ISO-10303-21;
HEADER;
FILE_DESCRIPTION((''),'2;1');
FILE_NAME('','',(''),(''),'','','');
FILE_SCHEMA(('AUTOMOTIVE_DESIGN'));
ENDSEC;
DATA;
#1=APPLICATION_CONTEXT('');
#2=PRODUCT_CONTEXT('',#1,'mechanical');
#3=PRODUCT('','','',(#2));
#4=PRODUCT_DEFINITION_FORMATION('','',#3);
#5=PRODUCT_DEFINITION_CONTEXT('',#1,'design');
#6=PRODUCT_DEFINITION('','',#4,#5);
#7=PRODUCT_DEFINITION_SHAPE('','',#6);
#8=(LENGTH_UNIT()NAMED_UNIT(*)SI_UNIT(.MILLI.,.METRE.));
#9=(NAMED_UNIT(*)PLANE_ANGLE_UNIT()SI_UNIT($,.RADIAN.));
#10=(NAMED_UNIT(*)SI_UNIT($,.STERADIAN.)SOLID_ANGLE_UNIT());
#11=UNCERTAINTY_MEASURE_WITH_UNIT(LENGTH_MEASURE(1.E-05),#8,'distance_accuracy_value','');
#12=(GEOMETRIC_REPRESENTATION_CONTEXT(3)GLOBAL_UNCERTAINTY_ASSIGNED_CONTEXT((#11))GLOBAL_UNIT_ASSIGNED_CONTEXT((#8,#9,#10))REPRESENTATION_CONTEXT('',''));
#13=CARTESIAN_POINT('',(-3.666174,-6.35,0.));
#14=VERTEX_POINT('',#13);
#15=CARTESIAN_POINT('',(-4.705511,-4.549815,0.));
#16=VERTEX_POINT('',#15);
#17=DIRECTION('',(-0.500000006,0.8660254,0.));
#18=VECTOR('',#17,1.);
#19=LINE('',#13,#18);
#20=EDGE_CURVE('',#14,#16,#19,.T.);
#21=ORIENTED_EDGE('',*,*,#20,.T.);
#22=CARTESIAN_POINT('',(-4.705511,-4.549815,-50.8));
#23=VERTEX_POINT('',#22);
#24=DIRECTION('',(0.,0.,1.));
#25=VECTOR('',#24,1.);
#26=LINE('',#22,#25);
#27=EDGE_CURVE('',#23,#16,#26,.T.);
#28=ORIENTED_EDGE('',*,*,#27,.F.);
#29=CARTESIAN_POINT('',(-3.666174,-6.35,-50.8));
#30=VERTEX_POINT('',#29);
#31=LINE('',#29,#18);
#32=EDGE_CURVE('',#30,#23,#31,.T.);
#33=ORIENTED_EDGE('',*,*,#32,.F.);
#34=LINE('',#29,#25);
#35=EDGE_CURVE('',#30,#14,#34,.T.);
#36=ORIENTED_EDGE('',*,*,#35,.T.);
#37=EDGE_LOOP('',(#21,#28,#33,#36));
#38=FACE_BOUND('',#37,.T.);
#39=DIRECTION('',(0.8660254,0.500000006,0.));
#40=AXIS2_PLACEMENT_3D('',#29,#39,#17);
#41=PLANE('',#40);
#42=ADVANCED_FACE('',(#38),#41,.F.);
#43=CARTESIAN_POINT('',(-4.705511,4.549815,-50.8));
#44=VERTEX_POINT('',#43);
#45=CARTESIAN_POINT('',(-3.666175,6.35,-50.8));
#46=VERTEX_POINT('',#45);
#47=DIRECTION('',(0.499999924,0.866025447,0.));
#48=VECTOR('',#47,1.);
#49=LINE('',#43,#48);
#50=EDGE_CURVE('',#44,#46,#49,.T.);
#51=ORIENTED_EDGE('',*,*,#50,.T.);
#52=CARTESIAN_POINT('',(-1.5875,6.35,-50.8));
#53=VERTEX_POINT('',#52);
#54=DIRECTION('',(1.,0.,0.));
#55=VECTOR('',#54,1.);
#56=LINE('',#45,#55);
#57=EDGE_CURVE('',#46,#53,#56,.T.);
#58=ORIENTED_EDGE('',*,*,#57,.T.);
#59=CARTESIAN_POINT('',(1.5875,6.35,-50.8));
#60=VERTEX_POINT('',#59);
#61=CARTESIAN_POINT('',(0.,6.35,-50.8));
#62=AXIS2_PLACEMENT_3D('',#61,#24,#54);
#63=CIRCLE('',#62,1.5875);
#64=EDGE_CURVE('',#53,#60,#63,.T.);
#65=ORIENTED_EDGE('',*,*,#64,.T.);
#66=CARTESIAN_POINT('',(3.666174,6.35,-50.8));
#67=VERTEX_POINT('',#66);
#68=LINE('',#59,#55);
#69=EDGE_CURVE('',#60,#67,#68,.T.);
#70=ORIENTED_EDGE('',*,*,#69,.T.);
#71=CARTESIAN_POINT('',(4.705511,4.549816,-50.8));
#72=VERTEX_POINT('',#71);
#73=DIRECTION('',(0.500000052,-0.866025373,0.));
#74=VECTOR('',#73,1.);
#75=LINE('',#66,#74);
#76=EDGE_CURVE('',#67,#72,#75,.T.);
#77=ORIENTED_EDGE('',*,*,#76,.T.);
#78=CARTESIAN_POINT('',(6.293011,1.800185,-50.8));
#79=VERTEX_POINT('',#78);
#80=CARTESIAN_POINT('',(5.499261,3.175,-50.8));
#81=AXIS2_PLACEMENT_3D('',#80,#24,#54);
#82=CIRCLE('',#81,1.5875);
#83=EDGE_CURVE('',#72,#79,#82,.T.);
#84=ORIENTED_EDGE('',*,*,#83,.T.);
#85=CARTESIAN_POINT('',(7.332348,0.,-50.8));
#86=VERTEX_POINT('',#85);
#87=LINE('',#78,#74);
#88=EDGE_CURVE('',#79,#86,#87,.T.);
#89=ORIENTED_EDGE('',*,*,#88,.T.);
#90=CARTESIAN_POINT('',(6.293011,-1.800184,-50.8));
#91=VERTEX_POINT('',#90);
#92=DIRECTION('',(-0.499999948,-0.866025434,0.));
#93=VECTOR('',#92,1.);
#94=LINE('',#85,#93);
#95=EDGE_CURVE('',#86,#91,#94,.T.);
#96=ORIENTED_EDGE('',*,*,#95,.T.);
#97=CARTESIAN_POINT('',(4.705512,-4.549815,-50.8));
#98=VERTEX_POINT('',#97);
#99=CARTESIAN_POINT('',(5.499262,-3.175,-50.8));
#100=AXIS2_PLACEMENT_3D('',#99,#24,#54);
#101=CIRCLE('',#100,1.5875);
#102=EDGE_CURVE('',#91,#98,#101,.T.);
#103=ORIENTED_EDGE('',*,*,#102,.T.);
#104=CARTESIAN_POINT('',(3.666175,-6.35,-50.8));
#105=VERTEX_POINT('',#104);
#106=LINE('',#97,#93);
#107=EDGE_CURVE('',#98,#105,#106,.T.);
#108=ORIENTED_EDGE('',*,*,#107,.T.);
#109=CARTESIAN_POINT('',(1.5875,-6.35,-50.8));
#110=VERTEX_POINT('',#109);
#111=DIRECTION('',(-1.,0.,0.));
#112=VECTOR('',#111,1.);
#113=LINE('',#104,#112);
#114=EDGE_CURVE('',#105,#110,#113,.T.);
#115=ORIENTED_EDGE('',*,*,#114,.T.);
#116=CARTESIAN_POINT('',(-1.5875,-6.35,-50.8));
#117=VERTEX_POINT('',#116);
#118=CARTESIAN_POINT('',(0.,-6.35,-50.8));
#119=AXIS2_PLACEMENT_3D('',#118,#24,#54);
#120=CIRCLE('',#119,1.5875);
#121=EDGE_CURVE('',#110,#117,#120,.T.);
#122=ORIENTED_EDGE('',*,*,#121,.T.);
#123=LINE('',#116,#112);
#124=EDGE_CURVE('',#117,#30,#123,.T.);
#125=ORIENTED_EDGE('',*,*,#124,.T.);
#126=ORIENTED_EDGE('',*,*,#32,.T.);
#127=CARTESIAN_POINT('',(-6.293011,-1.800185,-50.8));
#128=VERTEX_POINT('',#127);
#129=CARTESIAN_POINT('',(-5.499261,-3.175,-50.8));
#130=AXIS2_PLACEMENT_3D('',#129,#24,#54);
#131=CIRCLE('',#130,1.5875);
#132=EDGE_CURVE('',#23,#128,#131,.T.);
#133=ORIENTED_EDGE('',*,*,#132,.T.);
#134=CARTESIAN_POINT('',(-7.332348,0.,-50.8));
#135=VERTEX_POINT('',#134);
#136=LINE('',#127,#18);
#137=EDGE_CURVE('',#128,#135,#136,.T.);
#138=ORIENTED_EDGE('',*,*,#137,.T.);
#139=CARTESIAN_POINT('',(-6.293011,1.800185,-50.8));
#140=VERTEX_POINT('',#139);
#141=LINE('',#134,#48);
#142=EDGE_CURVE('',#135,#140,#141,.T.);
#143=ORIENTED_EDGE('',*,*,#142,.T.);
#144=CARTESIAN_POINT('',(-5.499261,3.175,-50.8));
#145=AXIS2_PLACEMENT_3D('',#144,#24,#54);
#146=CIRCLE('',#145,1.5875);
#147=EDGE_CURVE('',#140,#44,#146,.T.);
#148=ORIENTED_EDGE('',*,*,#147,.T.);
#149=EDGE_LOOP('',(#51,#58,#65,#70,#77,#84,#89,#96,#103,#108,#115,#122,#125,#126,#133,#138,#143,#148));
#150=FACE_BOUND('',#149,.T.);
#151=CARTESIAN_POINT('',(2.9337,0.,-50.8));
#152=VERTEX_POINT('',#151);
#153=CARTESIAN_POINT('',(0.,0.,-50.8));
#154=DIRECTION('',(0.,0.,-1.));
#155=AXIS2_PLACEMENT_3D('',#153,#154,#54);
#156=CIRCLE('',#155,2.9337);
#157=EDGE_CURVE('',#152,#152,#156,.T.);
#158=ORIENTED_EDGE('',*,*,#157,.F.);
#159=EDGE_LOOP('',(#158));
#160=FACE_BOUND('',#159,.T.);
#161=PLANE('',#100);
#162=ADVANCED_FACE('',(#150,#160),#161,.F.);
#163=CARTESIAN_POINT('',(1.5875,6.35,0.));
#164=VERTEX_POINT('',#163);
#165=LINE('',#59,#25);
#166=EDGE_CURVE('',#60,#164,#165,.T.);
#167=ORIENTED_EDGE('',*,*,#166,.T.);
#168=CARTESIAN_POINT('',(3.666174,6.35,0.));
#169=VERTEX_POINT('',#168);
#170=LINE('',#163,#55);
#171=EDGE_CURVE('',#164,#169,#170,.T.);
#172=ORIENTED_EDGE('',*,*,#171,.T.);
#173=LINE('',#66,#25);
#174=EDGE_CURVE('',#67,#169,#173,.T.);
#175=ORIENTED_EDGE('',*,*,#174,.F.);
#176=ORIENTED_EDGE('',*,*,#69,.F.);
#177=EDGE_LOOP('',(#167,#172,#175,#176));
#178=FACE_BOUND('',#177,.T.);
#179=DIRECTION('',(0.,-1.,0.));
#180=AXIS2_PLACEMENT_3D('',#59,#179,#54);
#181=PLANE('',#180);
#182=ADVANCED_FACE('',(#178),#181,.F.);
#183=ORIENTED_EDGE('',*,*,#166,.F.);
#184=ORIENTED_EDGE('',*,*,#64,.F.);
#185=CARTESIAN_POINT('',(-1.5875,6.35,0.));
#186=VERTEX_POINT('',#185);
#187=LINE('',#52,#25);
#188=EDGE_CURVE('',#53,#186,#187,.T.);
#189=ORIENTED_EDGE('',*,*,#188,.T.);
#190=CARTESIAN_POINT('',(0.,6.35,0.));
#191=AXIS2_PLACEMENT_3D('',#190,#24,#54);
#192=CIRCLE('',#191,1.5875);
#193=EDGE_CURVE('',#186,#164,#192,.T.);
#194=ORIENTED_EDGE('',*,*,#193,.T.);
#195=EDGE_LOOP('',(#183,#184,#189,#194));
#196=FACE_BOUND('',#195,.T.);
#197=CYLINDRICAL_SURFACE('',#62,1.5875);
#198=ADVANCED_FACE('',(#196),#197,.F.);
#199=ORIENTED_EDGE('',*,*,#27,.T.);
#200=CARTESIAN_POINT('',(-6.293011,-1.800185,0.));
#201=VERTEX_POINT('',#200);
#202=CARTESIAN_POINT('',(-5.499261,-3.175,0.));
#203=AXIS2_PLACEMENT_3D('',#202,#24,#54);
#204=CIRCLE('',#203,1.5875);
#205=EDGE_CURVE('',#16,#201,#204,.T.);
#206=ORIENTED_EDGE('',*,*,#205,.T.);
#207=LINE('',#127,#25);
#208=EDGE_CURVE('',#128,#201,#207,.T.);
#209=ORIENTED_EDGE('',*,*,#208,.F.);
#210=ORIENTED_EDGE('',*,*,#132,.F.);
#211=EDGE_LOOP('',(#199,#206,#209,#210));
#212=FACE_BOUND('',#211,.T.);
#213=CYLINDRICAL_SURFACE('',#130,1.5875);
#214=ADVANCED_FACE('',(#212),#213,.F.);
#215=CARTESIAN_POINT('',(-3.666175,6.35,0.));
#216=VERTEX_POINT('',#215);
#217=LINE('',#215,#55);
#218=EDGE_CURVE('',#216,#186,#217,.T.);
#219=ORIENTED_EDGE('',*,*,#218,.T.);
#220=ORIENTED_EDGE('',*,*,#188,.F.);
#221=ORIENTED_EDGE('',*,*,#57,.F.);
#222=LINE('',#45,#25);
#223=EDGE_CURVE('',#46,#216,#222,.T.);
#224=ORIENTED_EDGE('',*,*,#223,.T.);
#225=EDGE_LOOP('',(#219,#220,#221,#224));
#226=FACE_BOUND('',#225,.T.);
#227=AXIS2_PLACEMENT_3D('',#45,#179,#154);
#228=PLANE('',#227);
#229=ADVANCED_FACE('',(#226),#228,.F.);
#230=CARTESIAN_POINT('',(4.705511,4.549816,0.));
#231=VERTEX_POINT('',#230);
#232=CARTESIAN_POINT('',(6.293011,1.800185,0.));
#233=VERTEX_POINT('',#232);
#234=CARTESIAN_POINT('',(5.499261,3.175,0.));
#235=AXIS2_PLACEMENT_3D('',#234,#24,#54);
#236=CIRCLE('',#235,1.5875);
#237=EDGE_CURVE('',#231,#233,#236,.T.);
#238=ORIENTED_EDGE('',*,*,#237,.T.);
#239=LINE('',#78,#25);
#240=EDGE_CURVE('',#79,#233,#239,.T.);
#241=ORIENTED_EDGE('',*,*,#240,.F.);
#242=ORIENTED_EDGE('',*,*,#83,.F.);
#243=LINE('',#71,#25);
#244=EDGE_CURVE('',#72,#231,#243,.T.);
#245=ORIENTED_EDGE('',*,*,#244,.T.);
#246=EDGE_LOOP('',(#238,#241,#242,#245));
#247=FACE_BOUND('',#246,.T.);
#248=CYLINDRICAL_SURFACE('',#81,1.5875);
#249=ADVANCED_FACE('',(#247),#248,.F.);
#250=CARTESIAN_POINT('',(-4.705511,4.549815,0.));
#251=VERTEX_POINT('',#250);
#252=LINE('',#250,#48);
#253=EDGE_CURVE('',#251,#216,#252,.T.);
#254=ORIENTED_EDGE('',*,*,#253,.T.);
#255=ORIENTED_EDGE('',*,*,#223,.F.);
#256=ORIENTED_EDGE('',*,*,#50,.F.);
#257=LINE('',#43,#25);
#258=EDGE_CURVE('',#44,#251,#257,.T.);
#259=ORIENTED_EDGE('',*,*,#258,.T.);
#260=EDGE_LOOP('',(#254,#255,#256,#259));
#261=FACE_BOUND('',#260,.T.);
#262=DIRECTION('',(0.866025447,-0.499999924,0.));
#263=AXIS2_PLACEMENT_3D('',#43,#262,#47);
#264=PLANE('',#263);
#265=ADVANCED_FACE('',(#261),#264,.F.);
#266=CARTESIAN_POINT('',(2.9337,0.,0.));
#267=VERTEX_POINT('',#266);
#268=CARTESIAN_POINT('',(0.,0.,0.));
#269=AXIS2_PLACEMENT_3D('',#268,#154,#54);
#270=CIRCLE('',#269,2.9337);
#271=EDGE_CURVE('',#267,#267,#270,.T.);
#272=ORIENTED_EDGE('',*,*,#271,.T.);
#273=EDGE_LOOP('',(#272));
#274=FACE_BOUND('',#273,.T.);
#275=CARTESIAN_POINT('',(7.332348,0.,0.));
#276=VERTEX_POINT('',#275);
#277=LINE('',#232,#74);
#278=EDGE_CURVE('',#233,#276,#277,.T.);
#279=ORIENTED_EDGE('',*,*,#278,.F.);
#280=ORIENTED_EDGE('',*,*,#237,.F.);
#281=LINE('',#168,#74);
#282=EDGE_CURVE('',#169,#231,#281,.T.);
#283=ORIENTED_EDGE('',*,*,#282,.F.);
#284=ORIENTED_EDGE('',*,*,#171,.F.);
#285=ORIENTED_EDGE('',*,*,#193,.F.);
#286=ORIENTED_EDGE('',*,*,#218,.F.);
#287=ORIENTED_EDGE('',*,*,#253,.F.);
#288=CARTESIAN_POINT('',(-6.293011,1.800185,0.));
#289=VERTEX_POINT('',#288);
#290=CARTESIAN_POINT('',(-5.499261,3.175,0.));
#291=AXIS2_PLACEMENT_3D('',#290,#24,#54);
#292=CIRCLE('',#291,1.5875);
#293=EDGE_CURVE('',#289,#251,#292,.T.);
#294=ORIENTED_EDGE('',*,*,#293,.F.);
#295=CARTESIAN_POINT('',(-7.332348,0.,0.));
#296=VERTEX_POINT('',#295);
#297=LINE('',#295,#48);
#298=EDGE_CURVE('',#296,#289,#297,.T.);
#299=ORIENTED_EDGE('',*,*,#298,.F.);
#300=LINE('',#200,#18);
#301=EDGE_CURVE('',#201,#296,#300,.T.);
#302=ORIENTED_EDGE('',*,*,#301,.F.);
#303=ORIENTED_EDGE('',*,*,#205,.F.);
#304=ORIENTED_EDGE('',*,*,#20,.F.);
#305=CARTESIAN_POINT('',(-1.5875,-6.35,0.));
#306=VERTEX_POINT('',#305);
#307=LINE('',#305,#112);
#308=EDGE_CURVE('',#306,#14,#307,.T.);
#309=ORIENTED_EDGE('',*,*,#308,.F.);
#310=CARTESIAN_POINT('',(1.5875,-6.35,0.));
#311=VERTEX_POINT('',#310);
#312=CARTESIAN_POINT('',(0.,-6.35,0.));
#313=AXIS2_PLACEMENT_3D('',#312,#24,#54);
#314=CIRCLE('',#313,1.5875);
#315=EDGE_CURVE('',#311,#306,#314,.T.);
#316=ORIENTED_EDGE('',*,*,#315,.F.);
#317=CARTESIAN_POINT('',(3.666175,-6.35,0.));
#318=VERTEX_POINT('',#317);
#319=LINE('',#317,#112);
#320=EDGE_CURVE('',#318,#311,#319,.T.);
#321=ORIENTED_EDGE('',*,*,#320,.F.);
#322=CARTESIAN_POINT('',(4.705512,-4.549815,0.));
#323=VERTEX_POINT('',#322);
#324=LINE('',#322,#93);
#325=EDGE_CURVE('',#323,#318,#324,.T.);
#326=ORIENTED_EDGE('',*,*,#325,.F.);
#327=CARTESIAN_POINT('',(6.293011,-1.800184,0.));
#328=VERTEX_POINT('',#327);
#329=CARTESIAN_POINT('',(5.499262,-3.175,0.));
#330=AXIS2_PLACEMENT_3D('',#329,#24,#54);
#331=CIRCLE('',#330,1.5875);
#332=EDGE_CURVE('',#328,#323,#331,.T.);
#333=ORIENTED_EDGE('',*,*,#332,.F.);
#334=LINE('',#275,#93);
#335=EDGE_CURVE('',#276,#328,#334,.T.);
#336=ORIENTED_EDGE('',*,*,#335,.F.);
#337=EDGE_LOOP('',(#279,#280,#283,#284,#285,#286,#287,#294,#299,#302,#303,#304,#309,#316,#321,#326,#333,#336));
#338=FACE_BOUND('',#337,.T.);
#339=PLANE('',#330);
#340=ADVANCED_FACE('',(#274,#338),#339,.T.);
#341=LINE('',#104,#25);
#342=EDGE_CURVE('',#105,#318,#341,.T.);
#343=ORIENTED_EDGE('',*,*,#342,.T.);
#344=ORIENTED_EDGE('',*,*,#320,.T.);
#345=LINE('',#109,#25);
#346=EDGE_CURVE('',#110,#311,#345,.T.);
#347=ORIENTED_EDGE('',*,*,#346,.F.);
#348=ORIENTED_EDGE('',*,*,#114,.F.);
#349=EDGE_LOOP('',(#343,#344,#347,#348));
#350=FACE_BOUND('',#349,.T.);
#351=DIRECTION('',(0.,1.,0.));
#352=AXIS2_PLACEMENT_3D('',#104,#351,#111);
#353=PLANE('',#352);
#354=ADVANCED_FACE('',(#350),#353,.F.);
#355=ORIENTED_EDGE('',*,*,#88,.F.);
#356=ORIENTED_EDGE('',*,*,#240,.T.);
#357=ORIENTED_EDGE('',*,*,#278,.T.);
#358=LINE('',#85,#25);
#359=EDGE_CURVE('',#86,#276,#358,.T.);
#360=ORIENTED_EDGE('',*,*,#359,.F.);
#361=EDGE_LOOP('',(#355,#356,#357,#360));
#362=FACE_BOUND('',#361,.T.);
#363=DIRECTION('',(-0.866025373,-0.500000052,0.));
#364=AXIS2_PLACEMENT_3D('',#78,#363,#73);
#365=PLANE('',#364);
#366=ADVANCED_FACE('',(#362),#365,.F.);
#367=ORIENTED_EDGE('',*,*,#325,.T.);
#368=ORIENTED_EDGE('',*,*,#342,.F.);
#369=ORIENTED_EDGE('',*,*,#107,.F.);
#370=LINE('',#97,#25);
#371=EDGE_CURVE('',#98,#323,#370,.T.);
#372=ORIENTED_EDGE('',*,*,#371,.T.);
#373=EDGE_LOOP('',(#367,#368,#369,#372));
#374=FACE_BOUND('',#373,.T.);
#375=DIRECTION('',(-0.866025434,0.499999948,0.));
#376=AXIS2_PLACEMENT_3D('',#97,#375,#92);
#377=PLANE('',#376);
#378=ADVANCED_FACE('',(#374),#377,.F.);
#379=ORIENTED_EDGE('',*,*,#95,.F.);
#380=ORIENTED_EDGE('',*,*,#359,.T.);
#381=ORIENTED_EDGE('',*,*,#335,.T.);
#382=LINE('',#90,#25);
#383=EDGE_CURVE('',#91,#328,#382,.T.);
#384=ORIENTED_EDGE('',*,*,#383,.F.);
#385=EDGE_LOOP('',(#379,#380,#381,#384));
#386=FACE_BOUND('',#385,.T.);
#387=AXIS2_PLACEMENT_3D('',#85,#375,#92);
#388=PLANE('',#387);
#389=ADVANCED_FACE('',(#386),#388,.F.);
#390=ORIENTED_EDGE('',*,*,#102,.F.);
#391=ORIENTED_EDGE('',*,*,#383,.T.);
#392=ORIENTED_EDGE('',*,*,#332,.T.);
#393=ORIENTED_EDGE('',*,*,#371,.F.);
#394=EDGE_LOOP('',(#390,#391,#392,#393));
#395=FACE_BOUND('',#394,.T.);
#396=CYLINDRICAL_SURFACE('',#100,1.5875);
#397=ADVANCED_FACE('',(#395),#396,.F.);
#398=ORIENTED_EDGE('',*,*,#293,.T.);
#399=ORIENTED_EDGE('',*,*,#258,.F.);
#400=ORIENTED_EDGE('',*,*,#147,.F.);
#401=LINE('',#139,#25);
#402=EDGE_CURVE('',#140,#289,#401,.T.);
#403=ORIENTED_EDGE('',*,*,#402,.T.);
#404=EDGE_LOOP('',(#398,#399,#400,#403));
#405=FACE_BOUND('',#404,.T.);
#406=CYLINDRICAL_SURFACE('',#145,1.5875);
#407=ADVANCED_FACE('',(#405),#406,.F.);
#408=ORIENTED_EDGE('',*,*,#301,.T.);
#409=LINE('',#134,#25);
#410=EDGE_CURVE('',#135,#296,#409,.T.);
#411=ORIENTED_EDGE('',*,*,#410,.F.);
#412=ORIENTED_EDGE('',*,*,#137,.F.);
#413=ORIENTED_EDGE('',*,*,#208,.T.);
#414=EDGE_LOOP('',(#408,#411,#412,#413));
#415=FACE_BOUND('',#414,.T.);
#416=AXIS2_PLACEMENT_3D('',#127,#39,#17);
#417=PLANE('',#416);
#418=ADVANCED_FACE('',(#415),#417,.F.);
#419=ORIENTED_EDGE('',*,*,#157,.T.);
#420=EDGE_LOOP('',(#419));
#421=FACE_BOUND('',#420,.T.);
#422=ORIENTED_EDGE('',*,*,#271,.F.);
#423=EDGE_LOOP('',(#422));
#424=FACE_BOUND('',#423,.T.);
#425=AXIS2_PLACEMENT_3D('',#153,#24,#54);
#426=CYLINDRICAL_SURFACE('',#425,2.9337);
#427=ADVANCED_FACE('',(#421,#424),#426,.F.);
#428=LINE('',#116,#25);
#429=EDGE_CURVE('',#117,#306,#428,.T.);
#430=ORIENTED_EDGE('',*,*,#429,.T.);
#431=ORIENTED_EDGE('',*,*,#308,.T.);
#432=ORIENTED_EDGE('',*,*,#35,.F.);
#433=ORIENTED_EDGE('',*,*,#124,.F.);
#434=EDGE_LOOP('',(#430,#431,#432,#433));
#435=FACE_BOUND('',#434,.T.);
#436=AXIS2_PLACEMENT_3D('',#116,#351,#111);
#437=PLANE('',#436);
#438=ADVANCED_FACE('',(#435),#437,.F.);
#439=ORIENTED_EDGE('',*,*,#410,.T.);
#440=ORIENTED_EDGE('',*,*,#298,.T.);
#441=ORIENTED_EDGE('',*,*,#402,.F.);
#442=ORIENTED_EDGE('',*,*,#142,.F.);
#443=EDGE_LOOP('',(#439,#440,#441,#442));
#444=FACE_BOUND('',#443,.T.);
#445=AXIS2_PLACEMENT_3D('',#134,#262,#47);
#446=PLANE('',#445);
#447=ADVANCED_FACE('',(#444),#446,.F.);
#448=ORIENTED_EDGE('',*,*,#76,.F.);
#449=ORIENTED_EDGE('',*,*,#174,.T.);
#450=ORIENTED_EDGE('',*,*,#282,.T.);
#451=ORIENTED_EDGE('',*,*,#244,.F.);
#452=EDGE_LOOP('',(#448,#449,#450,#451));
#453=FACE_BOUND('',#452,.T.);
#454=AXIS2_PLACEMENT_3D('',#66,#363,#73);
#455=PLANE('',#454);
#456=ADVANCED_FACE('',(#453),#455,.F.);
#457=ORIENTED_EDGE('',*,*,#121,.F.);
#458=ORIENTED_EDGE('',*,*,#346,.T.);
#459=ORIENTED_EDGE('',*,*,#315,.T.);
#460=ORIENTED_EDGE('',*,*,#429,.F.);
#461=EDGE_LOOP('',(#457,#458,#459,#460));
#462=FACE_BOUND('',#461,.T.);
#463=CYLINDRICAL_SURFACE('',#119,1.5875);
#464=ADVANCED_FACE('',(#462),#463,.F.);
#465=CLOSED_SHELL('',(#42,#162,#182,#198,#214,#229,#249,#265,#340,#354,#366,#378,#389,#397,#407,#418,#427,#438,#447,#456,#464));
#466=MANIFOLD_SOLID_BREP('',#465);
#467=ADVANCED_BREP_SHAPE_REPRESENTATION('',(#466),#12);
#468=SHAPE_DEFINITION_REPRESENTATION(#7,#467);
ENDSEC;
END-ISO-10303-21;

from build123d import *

# Parameters (mm, degrees)
SKETCH1_R           = 2.9337
BOSS_EXTRUDE1_DEPTH = 50.8


with BuildPart() as part:
    # Sketch1 → Boss-Extrude1 (new body)
    with BuildSketch(Plane(origin=(0, 0, 0), x_dir=(-1, 0, 0), z_dir=(0, 0, -1))):
        with BuildLine():
            Line((-4.70551159, -4.549815043), (-3.666174521, -6.349999904))
            Line((-3.666174521, -6.349999904), (-1.587500385, -6.349999904))
            ThreePointArc((-1.587500385, -6.349999904), (-3.85e-07, -4.762499904), (1.587499615, -6.349999904))
            Line((1.587499615, -6.349999904), (3.666173825, -6.349999904))
            Line((3.666173825, -6.349999904), (4.705510942, -4.54981524))
            ThreePointArc((4.705510942, -4.54981524), (4.124445629, -2.381249907), (6.293010962, -1.800184594))
            Line((6.293010962, -1.800184594), (7.332348079, 7e-08))
            Line((7.332348079, 7e-08), (6.293011217, 1.800184685))
            ThreePointArc((6.293011217, 1.800184685), (4.124445939, 2.381250203), (4.705511457, 4.549815481))
            Line((4.705511457, 4.549815481), (3.666174521, 6.350000222))
            Line((3.666174521, 6.350000222), (1.587500385, 6.350000222))
            ThreePointArc((1.587500385, 6.350000222), (3.85e-07, 4.762500222), (-1.587499615, 6.350000222))
            Line((-1.587499615, 6.350000222), (-3.666173825, 6.350000222))
            Line((-3.666173825, 6.350000222), (-4.705511038, 4.549815614))
            ThreePointArc((-4.705511038, 4.549815614), (-4.124445841, 2.38125025), (-6.293011205, 1.800185053))
            Line((-6.293011205, 1.800185053), (-7.332348419, 4.44e-07))
            Line((-7.332348419, 4.44e-07), (-6.293011423, -1.80018429))
            ThreePointArc((-6.293011423, -1.80018429), (-4.12444613, -2.38124975), (-4.70551159, -4.549815043))
        make_face()
        Circle(SKETCH1_R, mode=Mode.SUBTRACT)
    extrude(amount=BOSS_EXTRUDE1_DEPTH)


solid = part.part
